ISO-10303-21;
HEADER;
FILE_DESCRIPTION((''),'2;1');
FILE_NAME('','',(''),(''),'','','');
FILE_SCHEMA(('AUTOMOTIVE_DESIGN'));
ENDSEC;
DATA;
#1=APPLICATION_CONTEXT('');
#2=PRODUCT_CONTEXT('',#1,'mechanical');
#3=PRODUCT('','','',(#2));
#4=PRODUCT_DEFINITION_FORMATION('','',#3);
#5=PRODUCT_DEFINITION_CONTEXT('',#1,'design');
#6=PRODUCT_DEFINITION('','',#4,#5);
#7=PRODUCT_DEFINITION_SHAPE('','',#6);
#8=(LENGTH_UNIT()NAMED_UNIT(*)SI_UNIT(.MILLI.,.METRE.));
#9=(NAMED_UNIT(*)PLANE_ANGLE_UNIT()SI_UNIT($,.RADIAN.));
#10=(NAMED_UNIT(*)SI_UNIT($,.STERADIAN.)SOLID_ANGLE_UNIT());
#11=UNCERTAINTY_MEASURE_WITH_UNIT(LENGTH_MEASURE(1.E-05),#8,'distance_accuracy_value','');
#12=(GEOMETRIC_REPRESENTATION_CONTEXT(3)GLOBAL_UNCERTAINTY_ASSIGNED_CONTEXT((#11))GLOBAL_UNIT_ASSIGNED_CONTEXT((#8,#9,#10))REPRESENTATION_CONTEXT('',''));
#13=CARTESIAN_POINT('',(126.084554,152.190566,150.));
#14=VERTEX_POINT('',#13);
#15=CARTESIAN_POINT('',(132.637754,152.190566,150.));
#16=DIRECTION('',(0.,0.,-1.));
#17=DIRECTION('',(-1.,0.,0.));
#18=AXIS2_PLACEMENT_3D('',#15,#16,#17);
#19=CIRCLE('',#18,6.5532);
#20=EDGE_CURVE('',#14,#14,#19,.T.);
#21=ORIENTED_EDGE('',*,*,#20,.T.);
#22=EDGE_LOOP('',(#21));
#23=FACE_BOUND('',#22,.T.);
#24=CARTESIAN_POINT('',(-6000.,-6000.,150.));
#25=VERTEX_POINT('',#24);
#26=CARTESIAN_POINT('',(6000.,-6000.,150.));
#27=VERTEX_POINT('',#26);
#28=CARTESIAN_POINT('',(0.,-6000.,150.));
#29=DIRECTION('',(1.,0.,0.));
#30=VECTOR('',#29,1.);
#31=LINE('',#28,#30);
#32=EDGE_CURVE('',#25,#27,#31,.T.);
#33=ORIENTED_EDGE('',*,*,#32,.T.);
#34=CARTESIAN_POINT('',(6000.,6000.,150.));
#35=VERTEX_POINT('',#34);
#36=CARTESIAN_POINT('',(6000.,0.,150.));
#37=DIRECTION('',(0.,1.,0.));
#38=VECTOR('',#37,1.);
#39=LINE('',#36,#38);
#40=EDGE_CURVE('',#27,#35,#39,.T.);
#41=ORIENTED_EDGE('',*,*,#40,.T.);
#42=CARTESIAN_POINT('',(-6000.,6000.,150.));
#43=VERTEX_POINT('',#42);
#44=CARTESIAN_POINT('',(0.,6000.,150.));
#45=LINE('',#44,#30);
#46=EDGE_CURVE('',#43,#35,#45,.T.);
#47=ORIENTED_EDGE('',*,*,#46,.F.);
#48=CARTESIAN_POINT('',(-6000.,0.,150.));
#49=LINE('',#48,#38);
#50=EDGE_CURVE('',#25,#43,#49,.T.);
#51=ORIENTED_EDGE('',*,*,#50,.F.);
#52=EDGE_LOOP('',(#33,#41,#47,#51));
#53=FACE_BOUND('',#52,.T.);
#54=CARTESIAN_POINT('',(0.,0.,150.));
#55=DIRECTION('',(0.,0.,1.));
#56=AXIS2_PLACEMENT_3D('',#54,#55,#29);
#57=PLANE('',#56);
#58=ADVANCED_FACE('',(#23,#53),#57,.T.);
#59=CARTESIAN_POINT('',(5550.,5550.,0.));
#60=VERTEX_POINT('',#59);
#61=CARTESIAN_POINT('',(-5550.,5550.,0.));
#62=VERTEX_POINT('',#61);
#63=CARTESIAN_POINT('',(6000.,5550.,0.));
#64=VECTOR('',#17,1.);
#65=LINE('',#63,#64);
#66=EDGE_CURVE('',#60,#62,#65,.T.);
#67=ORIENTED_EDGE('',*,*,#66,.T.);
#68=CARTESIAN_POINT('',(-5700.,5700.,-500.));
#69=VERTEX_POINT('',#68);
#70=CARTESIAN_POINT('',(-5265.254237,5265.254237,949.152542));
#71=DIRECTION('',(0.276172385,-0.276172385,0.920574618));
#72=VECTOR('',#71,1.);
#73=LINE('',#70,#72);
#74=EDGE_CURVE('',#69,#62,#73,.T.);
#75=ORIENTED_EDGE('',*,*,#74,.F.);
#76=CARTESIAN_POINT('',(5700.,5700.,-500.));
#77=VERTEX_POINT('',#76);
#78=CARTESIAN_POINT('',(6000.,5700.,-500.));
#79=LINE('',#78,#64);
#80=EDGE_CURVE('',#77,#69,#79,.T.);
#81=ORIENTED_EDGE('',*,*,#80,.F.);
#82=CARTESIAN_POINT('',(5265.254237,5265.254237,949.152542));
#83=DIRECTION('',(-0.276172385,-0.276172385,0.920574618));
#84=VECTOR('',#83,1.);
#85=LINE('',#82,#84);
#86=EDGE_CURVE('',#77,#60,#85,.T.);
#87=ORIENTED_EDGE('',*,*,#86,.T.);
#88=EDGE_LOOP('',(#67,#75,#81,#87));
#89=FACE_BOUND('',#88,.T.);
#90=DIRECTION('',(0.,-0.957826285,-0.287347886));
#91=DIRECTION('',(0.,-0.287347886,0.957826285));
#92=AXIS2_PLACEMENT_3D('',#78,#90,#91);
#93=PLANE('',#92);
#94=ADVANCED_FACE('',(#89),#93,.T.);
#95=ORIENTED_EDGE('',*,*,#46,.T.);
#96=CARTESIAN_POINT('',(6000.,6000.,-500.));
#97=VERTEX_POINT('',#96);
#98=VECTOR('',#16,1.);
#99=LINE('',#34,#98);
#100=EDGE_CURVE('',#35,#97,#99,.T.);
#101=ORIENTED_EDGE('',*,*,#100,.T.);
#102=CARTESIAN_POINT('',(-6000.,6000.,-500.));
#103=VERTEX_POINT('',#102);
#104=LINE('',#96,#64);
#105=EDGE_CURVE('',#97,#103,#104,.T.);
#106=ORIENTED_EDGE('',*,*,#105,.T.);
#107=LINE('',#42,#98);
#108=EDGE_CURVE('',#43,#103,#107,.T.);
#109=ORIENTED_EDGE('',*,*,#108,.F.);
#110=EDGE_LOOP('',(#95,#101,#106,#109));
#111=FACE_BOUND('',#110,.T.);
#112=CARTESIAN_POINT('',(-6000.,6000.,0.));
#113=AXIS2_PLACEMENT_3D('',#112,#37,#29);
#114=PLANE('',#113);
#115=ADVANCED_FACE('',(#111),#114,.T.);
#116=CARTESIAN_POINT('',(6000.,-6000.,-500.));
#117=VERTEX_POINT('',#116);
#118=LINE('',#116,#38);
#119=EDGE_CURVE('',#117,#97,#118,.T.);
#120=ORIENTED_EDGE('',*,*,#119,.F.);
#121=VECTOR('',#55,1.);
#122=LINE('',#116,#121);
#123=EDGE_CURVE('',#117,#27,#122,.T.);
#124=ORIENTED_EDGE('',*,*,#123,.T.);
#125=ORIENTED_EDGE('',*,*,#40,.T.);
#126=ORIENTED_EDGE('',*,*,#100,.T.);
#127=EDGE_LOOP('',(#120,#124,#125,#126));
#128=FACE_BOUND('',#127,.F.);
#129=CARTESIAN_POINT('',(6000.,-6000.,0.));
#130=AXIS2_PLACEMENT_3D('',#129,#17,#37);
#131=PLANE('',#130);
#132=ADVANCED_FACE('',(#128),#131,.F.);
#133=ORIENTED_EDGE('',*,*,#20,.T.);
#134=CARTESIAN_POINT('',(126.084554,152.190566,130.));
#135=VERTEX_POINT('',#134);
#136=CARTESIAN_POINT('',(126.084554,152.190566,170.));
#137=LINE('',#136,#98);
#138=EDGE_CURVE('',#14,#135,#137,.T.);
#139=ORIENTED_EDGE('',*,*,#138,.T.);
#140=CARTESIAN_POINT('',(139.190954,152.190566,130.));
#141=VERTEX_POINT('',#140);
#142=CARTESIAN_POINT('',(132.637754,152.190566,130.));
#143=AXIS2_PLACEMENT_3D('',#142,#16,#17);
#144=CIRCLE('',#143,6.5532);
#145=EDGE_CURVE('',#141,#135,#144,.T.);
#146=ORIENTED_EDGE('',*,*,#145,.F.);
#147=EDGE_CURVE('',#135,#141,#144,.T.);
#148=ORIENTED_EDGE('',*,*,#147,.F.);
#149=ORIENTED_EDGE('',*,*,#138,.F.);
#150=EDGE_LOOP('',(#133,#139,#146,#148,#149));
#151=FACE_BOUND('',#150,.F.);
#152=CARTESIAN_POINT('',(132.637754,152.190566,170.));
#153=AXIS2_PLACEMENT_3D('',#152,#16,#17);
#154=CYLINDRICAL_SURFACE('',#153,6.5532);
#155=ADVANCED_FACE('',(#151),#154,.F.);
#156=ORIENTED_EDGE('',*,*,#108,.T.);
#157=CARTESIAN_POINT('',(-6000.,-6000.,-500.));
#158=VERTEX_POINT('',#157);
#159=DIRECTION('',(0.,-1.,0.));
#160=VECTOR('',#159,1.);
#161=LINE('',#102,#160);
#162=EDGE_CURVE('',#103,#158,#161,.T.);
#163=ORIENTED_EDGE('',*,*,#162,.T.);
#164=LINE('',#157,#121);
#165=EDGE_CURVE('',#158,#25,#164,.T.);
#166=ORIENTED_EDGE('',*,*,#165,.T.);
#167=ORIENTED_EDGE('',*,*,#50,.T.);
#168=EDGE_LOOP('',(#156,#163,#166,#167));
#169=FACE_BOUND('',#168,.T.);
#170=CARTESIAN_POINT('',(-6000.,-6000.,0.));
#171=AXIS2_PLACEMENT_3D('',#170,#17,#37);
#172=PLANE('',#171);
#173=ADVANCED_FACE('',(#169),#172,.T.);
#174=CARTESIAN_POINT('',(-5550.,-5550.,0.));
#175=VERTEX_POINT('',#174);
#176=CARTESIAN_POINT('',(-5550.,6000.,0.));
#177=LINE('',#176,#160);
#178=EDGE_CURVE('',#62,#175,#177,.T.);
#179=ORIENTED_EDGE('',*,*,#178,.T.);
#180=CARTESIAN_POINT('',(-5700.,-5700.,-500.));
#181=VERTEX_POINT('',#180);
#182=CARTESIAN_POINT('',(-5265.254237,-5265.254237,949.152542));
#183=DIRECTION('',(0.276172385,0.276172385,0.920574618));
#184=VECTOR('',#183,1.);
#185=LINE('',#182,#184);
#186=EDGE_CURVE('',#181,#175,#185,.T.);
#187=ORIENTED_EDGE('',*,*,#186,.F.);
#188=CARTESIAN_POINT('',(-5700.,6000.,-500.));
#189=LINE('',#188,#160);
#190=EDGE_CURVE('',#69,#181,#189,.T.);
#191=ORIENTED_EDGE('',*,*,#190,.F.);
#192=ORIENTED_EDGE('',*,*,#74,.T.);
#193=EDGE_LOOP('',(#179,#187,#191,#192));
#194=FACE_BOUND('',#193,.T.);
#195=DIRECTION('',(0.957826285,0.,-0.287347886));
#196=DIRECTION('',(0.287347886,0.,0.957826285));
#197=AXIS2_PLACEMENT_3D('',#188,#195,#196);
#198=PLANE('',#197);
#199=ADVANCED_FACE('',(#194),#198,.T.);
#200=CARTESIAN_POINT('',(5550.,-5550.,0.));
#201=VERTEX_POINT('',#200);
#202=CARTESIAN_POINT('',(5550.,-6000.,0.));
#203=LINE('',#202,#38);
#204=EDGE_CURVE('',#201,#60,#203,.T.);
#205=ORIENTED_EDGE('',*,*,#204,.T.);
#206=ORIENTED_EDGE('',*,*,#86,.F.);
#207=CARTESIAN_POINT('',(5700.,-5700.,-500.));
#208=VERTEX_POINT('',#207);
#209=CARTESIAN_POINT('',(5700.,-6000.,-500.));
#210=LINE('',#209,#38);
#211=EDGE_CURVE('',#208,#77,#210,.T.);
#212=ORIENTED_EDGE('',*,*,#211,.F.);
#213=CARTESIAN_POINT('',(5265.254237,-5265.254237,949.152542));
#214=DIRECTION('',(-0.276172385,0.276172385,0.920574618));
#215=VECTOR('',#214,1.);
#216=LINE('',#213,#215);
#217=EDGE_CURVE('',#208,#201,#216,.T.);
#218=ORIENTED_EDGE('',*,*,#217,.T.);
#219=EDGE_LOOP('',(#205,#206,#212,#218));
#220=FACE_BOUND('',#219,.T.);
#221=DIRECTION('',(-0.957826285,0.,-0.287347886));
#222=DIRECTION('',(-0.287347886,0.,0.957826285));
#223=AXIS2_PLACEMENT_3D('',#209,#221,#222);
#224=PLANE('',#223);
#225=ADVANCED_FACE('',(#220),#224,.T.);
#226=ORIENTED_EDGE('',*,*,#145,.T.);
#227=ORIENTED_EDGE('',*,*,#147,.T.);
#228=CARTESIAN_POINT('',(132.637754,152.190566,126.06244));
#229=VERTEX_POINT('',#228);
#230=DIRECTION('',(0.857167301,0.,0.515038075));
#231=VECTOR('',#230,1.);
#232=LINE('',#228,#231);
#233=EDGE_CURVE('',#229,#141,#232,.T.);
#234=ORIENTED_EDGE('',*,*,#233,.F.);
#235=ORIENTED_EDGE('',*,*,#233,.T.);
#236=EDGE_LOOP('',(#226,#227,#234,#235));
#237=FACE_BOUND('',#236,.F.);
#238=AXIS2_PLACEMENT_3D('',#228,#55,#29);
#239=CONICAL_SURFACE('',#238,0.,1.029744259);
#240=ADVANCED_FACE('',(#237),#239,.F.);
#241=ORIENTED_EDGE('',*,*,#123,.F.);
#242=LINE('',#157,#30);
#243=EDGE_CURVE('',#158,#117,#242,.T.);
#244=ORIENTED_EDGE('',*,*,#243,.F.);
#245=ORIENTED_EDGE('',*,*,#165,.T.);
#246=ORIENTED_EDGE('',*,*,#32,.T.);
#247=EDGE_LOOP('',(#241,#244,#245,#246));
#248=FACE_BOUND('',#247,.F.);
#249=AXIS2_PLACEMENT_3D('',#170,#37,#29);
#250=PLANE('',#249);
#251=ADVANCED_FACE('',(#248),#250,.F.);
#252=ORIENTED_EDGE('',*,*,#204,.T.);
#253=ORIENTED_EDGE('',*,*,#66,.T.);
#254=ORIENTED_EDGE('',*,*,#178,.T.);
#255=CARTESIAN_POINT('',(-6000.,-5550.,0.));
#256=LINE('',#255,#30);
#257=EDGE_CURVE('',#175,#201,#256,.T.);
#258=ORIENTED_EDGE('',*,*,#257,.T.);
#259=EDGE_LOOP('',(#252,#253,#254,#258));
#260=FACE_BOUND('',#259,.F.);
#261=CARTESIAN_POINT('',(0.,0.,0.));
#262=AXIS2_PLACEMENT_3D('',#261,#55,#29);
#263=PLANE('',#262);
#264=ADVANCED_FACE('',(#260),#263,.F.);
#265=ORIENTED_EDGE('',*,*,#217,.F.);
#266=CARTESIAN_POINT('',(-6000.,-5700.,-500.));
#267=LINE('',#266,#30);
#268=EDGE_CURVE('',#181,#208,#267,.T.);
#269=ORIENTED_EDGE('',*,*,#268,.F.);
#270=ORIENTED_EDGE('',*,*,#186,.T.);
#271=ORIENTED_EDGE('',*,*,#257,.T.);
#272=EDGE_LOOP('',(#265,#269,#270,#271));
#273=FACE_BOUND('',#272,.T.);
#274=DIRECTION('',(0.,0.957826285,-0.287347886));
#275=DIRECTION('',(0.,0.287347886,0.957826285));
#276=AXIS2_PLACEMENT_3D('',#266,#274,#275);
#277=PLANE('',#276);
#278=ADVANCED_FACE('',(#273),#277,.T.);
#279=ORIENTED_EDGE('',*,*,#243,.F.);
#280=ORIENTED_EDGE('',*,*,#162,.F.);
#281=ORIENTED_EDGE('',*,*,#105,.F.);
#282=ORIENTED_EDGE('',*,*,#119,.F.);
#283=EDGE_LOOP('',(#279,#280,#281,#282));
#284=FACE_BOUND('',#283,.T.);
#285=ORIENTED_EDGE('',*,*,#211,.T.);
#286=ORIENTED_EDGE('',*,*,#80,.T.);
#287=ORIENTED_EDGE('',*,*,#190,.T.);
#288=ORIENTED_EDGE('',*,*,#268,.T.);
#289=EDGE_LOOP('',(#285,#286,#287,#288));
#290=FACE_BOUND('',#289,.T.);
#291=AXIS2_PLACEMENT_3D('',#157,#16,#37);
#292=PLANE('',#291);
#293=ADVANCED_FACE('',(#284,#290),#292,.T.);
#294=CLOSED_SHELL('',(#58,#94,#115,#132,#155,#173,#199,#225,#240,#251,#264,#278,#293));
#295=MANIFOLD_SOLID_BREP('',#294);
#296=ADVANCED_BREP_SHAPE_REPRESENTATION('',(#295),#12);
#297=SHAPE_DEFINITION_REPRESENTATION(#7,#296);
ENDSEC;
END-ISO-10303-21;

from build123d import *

# Parameters (mm, degrees)
F0_W     = 12000
F0_H     = 12000
F3_DEPTH = 150
F5_D     = 13.1064
F5_DEPTH = 20
F5_TIP   = 3.9375598086


with BuildPart() as f2:
    # F2: sweep along a path in F0
    with BuildLine(Plane.XY) as f2_path:
        Line((-6000, -6000), (6000, -6000))
        Line((6000, -6000), (6000, 6000))
        Line((6000, 6000), (-6000, 6000))
        Line((-6000, 6000), (-6000, -6000))
    # F1 (on Right) → F2 (sweep)
    with BuildSketch(Plane.YZ):
        Polygon((-5550, 0), (-6000, 0), (-6000, -500), (-5700, -500), align=None)
    sweep(path=f2_path.line, transition=Transition.RIGHT)

    # F0 (on Top) → F3 (join)
    with BuildSketch(Plane.XY):
        Rectangle(F0_W, F0_H)
    extrude(amount=F3_DEPTH)

    # F5
    with Locations(Plane.XY.offset(150)):
        with Locations((132.6377540827, 152.1905660629)):
            Hole(F5_D / 2, depth=F5_DEPTH)
            with Locations((0, 0, -(F5_DEPTH + F5_TIP / 2))):  # 118° drill point
                Cone(0, F5_D / 2, F5_TIP, mode=Mode.SUBTRACT)


solid = f2.part
